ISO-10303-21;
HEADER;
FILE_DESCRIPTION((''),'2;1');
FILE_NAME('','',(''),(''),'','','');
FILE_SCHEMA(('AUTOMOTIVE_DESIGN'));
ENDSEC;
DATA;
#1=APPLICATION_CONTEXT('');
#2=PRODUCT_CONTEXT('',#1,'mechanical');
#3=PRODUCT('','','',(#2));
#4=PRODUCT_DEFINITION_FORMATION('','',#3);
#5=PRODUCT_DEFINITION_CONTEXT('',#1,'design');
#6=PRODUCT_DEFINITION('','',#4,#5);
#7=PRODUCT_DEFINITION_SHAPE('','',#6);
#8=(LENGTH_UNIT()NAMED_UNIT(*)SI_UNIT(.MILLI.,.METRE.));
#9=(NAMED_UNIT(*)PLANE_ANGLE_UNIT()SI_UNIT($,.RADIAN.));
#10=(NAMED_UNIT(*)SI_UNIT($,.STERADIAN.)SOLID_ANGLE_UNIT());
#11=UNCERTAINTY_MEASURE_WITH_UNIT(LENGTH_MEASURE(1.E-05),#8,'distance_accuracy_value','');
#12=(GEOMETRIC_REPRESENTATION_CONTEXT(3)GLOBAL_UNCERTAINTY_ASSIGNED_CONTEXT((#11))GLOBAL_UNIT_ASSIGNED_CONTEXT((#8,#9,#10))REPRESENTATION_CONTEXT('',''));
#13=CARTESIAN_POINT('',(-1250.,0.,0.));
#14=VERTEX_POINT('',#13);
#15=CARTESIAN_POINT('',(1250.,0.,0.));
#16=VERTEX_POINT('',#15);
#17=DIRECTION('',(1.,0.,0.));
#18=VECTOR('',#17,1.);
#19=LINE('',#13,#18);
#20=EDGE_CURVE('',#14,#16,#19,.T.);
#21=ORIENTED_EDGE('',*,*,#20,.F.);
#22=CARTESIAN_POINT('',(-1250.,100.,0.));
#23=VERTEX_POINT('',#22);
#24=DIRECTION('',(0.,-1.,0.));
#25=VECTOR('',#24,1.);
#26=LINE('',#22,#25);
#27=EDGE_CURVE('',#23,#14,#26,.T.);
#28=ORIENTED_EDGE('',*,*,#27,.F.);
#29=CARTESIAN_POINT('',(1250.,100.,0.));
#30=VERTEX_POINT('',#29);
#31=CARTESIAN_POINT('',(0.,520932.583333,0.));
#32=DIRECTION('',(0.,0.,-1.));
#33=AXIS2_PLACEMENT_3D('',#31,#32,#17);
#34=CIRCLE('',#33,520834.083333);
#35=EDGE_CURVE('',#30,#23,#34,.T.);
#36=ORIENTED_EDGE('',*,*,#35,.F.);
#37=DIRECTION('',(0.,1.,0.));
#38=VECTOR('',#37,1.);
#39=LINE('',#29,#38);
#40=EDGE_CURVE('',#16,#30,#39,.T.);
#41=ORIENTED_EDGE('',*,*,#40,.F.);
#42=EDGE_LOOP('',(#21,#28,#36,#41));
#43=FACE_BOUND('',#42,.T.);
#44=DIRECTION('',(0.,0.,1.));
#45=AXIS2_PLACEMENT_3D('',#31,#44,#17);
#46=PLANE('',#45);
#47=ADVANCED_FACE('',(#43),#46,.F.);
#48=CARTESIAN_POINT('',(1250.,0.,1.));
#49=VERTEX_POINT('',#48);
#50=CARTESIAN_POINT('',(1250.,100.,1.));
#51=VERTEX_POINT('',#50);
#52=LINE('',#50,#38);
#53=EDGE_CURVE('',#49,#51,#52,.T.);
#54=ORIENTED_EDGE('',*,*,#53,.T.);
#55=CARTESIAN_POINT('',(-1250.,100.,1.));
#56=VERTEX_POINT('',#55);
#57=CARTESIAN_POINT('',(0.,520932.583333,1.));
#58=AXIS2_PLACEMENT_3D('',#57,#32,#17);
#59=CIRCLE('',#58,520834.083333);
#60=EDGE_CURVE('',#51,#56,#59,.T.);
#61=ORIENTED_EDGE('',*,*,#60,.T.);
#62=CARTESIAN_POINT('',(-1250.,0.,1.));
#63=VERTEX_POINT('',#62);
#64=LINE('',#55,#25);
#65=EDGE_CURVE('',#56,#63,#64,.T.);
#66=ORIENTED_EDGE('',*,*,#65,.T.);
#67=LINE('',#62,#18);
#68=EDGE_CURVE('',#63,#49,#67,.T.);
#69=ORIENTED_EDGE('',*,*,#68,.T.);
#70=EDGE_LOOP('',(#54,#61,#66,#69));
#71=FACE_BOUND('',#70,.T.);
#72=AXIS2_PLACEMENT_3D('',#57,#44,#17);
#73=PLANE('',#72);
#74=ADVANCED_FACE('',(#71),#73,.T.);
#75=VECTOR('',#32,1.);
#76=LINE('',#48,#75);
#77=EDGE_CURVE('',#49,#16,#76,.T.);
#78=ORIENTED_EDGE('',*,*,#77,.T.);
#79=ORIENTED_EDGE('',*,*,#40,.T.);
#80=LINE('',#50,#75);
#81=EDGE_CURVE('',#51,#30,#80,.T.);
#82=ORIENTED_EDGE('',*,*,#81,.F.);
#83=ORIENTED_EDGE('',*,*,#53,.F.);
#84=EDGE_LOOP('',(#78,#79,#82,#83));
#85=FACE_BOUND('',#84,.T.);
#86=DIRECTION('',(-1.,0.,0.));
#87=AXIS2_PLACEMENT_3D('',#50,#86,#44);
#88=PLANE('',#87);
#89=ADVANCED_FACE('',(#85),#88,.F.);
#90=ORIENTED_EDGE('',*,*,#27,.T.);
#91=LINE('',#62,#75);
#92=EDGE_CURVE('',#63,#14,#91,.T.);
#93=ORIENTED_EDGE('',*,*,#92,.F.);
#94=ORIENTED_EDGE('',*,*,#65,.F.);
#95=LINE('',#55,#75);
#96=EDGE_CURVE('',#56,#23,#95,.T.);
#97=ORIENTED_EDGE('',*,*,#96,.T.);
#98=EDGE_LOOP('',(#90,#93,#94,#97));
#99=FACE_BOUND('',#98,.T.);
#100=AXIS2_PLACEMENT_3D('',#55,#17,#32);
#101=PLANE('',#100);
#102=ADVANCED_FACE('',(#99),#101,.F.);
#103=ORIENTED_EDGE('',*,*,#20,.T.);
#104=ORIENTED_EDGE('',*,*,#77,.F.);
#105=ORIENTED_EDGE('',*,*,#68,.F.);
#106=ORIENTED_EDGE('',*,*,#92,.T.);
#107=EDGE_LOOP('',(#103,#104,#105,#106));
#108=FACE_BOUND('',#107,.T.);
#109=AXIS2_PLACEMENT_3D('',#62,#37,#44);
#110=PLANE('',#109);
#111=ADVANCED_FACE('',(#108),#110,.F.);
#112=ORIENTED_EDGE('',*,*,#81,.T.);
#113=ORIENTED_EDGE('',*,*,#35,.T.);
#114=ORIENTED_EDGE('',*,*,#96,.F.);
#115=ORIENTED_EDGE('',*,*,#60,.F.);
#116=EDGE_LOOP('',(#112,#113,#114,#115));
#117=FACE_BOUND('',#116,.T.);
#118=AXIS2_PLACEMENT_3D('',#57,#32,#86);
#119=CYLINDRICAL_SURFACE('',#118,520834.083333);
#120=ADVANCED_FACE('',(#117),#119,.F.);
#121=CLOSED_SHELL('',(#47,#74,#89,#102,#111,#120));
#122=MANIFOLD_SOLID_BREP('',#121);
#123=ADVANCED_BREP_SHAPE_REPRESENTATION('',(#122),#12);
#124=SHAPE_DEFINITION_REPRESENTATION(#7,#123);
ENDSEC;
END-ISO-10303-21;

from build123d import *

# Parameters (mm, degrees)
AUFSATZ_LINEAR_AUSTRAGEN1_DEPTH = 1


with BuildPart() as part:
    # Skizze1 → Aufsatz-Linear austragen1 (new body)
    with BuildSketch(Plane.XY):
        with BuildLine():
            Line((-1250, 100), (-1250, 0))
            Line((-1250, 0), (1250, 0))
            Line((1250, 0), (1250, 100))
            ThreePointArc((1250, 100), (0, 98.5), (-1250, 100))
        make_face()
    extrude(amount=AUFSATZ_LINEAR_AUSTRAGEN1_DEPTH)


solid = part.part
